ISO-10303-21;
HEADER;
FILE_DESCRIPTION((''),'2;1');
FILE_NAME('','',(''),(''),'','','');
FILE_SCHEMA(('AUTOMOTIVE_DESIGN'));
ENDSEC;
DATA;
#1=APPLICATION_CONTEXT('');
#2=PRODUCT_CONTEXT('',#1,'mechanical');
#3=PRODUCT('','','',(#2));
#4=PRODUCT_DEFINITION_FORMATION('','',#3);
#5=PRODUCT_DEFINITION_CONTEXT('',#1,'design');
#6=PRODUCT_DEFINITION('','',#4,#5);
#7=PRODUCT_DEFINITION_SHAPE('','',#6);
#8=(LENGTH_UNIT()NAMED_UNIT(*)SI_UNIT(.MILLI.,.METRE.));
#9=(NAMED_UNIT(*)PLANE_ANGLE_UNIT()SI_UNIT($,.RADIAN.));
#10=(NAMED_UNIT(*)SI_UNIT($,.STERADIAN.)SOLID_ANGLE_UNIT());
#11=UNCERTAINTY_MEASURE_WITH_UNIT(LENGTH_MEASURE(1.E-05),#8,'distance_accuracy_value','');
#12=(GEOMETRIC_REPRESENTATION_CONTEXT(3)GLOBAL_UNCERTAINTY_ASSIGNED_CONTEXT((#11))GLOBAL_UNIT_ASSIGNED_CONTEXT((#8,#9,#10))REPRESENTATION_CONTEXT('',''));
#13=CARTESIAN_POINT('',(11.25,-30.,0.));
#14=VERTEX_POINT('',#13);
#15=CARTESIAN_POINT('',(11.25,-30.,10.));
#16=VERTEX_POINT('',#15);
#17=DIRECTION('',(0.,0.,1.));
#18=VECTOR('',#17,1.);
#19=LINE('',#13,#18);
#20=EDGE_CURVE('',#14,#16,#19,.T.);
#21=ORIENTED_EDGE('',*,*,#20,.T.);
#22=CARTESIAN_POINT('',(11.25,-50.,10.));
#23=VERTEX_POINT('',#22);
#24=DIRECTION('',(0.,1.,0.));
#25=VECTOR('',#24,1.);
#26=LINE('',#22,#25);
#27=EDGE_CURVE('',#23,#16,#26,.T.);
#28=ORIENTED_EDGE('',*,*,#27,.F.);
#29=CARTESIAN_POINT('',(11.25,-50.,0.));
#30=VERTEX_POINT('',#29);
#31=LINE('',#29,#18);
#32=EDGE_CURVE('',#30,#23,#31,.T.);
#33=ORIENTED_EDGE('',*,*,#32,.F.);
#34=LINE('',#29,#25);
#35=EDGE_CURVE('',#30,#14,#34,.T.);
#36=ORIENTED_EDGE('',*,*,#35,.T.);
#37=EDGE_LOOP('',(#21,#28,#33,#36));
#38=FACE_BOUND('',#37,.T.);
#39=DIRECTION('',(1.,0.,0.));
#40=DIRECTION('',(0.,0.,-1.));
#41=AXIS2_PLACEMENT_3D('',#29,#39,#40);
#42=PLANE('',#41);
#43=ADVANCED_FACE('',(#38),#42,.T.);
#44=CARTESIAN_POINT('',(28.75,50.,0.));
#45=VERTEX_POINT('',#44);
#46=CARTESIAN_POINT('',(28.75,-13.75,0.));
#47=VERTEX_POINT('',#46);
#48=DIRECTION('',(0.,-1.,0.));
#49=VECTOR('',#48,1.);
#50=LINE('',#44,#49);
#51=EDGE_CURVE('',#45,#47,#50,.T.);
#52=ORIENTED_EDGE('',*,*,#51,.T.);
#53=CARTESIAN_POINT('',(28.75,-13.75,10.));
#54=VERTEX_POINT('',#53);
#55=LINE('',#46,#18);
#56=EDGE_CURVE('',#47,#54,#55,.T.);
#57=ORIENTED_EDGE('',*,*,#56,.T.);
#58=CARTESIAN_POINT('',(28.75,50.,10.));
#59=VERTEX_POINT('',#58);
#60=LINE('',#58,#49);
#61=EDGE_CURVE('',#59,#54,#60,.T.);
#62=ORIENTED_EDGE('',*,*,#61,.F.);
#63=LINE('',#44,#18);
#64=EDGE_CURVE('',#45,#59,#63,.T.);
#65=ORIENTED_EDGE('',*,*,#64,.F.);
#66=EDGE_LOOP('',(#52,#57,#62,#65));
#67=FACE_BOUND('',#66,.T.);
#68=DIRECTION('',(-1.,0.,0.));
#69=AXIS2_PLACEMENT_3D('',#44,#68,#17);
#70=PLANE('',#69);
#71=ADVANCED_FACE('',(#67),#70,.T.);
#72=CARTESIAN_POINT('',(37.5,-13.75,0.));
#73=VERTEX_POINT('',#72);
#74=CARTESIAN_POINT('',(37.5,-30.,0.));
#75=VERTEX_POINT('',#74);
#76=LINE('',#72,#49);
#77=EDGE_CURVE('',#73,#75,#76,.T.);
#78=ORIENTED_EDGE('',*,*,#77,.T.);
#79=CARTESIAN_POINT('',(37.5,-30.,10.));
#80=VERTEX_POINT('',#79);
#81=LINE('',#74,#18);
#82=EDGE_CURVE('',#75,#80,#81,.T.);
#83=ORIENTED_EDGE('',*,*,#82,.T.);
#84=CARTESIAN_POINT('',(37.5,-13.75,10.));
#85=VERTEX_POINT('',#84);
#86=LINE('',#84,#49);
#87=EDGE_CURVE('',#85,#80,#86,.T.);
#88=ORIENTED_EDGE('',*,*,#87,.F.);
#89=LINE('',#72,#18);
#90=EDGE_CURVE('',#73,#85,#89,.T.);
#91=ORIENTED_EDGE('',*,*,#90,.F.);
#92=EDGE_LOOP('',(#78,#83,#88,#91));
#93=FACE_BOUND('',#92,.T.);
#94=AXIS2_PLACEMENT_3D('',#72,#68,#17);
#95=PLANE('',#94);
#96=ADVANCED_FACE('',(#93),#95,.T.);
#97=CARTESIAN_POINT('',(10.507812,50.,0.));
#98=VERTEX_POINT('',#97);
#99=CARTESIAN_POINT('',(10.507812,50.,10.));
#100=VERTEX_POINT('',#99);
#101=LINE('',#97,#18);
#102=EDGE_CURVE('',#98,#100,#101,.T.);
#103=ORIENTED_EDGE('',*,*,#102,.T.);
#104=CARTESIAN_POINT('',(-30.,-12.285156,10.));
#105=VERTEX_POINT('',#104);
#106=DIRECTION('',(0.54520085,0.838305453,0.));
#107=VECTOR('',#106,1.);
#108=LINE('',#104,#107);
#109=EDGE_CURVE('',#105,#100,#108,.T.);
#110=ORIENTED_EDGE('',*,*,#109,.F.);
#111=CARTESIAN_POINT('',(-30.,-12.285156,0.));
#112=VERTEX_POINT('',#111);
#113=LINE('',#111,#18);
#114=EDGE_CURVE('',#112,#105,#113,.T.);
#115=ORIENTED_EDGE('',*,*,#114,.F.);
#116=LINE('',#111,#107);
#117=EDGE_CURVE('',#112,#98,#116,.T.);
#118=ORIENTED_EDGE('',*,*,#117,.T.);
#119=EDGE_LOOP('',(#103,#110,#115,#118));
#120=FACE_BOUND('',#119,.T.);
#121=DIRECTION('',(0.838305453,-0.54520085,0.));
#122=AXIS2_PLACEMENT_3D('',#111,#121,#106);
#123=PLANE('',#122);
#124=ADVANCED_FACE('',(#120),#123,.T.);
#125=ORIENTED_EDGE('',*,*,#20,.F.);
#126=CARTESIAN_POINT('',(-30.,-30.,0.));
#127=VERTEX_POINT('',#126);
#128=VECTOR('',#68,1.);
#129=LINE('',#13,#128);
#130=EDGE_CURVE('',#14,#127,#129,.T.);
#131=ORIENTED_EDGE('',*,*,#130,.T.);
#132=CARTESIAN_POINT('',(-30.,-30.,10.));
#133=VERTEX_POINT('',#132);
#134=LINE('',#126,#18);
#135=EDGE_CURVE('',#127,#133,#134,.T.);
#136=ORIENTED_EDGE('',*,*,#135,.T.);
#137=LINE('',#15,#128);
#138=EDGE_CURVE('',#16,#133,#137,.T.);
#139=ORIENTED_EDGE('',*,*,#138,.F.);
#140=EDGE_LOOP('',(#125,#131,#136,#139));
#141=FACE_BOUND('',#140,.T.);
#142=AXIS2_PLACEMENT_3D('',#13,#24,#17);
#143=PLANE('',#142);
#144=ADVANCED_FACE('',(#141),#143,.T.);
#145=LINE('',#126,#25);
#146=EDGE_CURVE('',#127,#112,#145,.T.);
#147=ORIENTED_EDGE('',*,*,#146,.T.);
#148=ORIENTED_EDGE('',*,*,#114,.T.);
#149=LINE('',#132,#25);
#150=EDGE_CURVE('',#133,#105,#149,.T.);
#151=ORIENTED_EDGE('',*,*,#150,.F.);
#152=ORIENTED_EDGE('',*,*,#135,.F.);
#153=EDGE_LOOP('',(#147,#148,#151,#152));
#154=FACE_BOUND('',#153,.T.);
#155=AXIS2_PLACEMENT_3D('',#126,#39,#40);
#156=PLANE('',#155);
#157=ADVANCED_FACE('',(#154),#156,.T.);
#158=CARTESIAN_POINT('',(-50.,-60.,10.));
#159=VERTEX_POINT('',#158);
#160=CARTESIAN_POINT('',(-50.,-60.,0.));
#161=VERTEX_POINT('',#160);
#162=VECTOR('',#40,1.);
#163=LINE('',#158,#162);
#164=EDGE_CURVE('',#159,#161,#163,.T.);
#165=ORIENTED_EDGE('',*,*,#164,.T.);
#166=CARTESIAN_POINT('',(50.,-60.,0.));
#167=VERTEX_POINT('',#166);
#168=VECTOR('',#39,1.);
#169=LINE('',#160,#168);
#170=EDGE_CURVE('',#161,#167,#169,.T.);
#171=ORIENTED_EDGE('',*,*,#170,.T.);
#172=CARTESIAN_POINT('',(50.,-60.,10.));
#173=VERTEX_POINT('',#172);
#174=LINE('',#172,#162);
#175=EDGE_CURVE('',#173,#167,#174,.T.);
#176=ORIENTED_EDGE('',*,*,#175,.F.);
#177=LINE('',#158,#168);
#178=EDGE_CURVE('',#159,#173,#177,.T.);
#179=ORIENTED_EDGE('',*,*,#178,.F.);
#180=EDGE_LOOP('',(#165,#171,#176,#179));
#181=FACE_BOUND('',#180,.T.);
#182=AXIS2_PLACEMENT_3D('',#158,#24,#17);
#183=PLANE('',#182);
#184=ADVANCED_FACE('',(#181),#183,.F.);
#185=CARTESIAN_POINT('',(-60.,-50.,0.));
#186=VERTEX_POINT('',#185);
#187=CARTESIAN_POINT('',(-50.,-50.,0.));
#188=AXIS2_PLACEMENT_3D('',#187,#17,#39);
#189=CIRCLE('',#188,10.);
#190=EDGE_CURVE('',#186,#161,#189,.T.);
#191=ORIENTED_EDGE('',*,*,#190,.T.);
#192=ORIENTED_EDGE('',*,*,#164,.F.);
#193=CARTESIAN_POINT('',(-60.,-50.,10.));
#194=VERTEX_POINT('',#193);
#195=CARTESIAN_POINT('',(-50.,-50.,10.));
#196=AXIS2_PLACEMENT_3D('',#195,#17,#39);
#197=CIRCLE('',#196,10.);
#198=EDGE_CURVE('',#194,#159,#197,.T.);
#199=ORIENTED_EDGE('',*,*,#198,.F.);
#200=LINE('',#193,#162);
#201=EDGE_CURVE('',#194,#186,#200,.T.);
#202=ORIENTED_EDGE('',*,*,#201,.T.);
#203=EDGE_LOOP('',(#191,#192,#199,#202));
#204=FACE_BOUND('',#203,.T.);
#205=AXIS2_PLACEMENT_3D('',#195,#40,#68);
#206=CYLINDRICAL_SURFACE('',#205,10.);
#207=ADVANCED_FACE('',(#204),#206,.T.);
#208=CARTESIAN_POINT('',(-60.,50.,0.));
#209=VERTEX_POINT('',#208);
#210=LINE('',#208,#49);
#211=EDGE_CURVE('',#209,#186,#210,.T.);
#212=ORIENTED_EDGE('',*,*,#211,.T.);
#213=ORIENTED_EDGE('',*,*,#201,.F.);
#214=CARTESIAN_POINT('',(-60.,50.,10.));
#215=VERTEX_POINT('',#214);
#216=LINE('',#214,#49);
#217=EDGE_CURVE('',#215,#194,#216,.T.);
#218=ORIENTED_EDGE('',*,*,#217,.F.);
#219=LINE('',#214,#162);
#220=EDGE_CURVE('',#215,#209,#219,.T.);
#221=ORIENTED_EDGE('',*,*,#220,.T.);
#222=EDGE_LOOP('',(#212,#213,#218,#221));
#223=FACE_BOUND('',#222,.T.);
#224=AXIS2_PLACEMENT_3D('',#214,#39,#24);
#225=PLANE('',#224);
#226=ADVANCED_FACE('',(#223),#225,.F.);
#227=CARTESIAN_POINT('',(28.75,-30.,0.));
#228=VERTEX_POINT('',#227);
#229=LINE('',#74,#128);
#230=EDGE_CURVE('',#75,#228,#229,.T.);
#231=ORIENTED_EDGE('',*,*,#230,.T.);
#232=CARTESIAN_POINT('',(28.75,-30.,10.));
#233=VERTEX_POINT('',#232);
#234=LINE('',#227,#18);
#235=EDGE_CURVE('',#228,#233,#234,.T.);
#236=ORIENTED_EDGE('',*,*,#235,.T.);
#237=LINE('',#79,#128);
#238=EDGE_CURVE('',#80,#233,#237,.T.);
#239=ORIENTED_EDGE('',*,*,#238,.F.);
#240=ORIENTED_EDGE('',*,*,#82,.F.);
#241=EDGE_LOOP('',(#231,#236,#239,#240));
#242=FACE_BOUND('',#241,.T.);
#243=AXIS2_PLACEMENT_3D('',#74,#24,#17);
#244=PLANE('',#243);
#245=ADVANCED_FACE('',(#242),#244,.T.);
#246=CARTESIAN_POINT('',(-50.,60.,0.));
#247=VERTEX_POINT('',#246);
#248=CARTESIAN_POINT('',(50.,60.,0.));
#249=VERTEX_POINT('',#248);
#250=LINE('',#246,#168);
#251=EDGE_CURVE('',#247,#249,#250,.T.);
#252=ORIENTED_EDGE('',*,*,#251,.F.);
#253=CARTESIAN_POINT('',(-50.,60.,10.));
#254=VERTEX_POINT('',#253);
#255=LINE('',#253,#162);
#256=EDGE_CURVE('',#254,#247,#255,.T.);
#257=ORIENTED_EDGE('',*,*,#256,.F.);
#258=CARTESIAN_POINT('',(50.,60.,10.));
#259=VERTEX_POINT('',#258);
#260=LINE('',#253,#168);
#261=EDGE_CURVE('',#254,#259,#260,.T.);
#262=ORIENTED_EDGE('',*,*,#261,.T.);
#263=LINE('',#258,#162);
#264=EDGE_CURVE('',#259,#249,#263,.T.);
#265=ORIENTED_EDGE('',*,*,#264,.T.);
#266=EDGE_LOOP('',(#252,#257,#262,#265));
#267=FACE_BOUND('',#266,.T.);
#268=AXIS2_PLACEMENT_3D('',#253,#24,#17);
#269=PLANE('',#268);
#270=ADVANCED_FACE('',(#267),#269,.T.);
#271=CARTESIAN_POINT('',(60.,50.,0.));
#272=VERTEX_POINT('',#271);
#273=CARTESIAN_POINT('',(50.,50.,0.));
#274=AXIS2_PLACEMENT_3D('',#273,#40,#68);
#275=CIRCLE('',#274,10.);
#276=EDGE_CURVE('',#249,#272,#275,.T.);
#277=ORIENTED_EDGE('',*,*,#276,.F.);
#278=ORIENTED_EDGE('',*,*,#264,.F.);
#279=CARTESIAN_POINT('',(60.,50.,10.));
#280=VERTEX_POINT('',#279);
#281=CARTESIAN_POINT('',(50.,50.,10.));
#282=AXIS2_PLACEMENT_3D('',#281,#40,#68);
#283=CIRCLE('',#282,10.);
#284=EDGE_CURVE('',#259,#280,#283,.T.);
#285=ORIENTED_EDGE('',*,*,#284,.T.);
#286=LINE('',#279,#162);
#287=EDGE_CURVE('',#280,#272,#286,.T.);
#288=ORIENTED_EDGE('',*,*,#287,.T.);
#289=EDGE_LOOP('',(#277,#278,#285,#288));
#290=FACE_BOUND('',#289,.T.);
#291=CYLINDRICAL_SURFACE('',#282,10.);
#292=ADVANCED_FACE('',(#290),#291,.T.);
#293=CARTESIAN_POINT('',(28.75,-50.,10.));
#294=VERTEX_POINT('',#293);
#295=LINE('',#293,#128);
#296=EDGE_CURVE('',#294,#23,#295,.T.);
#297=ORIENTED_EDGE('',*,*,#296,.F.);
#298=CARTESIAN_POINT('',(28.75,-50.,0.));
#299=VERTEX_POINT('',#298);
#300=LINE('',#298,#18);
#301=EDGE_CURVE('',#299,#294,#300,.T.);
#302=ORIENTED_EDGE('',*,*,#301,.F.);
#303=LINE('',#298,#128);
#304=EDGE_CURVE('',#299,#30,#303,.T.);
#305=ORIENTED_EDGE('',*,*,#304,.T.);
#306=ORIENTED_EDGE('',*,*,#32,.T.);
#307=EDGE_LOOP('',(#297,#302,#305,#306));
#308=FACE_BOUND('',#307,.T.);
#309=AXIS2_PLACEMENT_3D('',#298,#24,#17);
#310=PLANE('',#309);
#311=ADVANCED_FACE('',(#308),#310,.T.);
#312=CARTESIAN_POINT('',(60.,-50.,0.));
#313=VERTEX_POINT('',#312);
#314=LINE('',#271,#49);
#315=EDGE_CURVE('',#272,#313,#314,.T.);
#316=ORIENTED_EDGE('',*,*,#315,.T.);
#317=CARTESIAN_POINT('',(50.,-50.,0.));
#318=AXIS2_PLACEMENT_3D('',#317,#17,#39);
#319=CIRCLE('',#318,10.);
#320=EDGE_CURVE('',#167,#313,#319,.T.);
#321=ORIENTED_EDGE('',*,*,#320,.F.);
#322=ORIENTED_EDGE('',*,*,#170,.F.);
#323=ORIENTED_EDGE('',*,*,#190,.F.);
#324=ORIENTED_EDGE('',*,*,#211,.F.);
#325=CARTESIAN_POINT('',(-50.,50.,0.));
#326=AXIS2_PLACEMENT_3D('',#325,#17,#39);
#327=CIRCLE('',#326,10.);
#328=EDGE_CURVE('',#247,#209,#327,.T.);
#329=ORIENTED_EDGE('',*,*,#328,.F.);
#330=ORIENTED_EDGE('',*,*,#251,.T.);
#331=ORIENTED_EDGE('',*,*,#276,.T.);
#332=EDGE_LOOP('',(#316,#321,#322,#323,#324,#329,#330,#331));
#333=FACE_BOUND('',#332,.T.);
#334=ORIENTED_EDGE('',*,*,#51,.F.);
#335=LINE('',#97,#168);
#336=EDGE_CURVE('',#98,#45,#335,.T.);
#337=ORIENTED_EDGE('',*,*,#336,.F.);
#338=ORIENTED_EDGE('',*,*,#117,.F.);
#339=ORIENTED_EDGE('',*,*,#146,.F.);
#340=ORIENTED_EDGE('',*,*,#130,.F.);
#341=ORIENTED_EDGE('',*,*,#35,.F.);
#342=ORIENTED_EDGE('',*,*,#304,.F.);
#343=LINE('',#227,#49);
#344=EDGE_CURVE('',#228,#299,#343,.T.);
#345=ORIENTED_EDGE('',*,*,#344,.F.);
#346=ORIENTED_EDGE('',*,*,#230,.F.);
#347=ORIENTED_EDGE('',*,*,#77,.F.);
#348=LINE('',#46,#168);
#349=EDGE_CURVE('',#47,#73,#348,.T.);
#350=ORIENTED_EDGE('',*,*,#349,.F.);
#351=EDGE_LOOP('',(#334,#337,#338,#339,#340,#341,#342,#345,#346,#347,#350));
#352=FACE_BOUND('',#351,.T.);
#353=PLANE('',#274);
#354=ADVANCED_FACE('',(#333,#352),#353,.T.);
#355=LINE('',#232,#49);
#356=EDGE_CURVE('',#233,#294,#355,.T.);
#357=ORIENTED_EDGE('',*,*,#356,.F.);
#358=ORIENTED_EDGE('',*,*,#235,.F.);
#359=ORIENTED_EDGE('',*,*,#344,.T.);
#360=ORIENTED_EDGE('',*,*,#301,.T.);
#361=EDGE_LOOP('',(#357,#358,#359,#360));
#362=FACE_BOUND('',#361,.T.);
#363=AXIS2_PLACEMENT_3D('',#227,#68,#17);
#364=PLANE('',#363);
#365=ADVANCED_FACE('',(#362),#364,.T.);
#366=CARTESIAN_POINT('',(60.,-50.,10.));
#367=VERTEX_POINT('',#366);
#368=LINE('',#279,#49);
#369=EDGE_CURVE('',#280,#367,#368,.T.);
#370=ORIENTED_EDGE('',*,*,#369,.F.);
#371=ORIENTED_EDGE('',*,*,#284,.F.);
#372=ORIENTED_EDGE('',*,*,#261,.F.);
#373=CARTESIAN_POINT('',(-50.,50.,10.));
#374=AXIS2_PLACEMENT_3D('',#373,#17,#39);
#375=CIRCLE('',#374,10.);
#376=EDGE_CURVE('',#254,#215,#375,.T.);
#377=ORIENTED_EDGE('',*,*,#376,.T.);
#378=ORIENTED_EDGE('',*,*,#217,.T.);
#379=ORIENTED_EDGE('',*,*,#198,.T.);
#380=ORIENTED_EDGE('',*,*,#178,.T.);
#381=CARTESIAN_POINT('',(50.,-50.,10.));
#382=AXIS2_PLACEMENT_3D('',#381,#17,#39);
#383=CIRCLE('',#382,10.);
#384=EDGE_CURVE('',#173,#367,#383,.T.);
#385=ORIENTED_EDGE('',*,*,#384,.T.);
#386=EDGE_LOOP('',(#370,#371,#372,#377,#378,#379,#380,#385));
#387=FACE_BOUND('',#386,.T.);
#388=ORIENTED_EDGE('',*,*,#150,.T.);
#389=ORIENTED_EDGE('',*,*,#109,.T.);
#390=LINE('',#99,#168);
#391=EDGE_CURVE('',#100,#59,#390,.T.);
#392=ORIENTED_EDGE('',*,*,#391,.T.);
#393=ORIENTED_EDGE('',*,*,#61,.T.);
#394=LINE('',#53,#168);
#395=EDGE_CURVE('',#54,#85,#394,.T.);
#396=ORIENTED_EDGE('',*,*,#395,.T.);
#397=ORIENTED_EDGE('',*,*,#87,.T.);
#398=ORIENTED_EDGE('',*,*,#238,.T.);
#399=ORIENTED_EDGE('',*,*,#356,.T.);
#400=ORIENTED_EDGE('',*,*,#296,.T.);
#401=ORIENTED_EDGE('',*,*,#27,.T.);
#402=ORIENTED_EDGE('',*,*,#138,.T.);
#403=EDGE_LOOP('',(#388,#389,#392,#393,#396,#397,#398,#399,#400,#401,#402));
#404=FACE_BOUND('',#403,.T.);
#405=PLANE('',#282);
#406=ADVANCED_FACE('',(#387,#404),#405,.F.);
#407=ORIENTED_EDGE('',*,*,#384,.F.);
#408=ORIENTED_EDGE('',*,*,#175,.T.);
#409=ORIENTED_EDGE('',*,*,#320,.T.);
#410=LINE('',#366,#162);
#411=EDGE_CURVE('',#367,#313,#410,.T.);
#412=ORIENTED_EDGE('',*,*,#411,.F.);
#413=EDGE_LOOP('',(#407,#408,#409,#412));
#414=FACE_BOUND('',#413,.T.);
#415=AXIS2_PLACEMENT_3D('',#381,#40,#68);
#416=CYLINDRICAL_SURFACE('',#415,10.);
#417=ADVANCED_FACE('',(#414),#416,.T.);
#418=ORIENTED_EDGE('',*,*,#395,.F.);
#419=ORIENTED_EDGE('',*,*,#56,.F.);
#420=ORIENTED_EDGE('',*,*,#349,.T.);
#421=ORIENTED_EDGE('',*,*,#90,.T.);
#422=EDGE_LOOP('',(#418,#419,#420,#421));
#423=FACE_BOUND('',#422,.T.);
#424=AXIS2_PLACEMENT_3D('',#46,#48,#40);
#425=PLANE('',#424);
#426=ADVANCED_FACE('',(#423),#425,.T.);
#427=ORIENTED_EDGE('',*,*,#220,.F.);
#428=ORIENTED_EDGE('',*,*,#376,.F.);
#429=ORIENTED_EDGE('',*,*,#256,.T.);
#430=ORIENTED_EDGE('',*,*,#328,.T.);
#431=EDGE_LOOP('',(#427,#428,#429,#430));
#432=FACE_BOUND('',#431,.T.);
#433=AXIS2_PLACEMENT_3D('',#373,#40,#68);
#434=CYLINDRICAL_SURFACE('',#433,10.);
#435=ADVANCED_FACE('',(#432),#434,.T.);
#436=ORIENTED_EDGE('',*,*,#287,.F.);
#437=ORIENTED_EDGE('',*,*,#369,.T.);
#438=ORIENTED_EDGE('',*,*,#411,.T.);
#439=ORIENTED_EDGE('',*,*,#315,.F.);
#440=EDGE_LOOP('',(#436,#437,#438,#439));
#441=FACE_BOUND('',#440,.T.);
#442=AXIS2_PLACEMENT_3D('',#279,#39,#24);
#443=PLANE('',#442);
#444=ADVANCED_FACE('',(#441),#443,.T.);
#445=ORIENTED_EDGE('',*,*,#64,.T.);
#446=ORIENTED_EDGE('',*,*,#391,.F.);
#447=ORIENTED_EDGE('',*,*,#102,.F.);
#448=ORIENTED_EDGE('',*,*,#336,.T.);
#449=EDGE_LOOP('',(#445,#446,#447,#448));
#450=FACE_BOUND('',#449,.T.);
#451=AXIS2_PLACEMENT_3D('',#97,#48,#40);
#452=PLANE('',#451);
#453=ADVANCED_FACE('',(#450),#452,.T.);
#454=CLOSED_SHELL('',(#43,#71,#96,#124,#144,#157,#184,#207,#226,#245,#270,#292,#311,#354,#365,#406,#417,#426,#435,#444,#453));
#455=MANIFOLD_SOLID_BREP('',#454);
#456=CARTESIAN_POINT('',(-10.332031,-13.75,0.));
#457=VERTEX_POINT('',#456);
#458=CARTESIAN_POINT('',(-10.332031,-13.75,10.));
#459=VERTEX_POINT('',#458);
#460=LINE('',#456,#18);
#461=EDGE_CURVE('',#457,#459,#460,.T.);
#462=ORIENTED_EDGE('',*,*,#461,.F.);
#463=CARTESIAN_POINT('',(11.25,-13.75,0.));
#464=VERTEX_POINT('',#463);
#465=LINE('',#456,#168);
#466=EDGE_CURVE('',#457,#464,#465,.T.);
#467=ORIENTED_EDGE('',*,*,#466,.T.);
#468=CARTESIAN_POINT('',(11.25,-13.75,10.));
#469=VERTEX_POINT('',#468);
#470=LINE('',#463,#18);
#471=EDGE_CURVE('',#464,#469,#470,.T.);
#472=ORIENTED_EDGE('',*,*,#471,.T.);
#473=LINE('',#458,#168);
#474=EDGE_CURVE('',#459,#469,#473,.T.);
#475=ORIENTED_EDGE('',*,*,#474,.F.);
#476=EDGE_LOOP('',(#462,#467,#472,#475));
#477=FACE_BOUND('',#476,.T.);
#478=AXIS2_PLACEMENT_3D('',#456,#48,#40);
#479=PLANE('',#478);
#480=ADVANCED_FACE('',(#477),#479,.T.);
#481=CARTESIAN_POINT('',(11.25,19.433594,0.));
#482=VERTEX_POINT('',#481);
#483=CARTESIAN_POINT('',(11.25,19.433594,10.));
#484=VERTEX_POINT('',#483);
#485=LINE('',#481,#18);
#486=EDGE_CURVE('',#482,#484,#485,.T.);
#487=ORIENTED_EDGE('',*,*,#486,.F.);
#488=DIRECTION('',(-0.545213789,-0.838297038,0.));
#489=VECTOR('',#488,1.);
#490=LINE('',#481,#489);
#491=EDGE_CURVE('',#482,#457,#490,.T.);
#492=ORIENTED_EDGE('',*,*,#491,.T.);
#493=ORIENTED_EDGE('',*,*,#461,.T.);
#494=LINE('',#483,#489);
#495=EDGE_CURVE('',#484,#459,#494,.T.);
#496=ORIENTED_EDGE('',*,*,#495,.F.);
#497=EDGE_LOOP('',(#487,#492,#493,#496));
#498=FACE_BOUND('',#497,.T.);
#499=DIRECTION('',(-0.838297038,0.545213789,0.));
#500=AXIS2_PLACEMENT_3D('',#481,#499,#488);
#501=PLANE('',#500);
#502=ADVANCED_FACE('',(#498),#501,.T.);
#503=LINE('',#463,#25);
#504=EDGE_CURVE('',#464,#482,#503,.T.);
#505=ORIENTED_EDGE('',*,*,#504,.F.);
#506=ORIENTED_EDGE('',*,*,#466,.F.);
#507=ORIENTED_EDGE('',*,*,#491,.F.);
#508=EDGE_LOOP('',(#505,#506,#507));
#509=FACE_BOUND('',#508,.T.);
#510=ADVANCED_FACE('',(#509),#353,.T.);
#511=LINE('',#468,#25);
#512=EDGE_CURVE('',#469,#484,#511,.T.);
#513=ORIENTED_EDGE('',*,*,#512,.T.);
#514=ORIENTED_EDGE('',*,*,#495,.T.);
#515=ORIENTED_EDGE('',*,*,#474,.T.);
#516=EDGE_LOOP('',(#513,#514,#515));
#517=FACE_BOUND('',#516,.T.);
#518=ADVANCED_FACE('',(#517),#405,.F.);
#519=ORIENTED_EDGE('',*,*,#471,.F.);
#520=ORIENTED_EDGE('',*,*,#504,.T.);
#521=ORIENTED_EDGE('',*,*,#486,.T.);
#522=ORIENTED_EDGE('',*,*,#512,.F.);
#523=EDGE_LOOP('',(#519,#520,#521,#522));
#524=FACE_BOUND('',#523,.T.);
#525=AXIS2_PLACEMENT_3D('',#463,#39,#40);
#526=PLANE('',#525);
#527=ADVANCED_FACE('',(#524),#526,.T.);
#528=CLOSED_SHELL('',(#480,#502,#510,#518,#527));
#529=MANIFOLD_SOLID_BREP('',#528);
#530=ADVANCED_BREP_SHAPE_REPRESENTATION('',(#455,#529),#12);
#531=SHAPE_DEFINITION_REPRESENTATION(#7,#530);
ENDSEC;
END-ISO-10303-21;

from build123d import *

# Parameters (mm, degrees)
BOSS_EXTRUDE1_DEPTH = 10
CUT_EXTRUDE2_DEPTH  = 10


with BuildPart() as part:
    # Sketch1 → Boss-Extrude1 (new body)
    with BuildSketch(Plane.XY):
        with BuildLine():
            Line((-50, 60), (50, 60))
            ThreePointArc((50, 60), (57.071067812, 57.071067812), (60, 50))
            Line((60, 50), (60, -50))
            ThreePointArc((60, -50), (57.071067812, -57.071067812), (50, -60))
            Line((50, -60), (-50, -60))
            ThreePointArc((-50, -60), (-57.071067812, -57.071067812), (-60, -50))
            Line((-60, -50), (-60, 50))
            ThreePointArc((-60, 50), (-57.071067812, 57.071067812), (-50, 60))
        make_face()
    extrude(amount=BOSS_EXTRUDE1_DEPTH)

    # Sketch2 → Cut-Extrude2 (cut)
    with BuildSketch(Plane.XY.offset(10)):
        Polygon((10.5078125, 50), (28.75, 50), (28.75, -13.75), (37.5, -13.75), (37.5, -30), (28.75, -30), (28.75, -50), (11.25, -50), (11.25, -30), (-30, -30), (-30, -12.28515625), align=None)
        Polygon((11.25, -13.75), (11.25, 19.43359375), (-10.33203125, -13.75), align=None, mode=Mode.SUBTRACT)
    extrude(amount=-CUT_EXTRUDE2_DEPTH, mode=Mode.SUBTRACT)


with BuildPart() as cut_extrude2_piece_1:
    # of the separate pieces the step leaves, piece 1, a body of its own (cut_extrude2_pieces)
    add(part.part.solids().sort_by_distance((-50, 60, 0))[0])


with BuildPart() as cut_extrude2_piece_2:
    # of the separate pieces the step leaves, piece 2, a body of its own (cut_extrude2_pieces)
    add(part.part.solids().sort_by_distance((11.25, -13.75, 0))[0])


solid = Compound([cut_extrude2_piece_1.part, cut_extrude2_piece_2.part])
